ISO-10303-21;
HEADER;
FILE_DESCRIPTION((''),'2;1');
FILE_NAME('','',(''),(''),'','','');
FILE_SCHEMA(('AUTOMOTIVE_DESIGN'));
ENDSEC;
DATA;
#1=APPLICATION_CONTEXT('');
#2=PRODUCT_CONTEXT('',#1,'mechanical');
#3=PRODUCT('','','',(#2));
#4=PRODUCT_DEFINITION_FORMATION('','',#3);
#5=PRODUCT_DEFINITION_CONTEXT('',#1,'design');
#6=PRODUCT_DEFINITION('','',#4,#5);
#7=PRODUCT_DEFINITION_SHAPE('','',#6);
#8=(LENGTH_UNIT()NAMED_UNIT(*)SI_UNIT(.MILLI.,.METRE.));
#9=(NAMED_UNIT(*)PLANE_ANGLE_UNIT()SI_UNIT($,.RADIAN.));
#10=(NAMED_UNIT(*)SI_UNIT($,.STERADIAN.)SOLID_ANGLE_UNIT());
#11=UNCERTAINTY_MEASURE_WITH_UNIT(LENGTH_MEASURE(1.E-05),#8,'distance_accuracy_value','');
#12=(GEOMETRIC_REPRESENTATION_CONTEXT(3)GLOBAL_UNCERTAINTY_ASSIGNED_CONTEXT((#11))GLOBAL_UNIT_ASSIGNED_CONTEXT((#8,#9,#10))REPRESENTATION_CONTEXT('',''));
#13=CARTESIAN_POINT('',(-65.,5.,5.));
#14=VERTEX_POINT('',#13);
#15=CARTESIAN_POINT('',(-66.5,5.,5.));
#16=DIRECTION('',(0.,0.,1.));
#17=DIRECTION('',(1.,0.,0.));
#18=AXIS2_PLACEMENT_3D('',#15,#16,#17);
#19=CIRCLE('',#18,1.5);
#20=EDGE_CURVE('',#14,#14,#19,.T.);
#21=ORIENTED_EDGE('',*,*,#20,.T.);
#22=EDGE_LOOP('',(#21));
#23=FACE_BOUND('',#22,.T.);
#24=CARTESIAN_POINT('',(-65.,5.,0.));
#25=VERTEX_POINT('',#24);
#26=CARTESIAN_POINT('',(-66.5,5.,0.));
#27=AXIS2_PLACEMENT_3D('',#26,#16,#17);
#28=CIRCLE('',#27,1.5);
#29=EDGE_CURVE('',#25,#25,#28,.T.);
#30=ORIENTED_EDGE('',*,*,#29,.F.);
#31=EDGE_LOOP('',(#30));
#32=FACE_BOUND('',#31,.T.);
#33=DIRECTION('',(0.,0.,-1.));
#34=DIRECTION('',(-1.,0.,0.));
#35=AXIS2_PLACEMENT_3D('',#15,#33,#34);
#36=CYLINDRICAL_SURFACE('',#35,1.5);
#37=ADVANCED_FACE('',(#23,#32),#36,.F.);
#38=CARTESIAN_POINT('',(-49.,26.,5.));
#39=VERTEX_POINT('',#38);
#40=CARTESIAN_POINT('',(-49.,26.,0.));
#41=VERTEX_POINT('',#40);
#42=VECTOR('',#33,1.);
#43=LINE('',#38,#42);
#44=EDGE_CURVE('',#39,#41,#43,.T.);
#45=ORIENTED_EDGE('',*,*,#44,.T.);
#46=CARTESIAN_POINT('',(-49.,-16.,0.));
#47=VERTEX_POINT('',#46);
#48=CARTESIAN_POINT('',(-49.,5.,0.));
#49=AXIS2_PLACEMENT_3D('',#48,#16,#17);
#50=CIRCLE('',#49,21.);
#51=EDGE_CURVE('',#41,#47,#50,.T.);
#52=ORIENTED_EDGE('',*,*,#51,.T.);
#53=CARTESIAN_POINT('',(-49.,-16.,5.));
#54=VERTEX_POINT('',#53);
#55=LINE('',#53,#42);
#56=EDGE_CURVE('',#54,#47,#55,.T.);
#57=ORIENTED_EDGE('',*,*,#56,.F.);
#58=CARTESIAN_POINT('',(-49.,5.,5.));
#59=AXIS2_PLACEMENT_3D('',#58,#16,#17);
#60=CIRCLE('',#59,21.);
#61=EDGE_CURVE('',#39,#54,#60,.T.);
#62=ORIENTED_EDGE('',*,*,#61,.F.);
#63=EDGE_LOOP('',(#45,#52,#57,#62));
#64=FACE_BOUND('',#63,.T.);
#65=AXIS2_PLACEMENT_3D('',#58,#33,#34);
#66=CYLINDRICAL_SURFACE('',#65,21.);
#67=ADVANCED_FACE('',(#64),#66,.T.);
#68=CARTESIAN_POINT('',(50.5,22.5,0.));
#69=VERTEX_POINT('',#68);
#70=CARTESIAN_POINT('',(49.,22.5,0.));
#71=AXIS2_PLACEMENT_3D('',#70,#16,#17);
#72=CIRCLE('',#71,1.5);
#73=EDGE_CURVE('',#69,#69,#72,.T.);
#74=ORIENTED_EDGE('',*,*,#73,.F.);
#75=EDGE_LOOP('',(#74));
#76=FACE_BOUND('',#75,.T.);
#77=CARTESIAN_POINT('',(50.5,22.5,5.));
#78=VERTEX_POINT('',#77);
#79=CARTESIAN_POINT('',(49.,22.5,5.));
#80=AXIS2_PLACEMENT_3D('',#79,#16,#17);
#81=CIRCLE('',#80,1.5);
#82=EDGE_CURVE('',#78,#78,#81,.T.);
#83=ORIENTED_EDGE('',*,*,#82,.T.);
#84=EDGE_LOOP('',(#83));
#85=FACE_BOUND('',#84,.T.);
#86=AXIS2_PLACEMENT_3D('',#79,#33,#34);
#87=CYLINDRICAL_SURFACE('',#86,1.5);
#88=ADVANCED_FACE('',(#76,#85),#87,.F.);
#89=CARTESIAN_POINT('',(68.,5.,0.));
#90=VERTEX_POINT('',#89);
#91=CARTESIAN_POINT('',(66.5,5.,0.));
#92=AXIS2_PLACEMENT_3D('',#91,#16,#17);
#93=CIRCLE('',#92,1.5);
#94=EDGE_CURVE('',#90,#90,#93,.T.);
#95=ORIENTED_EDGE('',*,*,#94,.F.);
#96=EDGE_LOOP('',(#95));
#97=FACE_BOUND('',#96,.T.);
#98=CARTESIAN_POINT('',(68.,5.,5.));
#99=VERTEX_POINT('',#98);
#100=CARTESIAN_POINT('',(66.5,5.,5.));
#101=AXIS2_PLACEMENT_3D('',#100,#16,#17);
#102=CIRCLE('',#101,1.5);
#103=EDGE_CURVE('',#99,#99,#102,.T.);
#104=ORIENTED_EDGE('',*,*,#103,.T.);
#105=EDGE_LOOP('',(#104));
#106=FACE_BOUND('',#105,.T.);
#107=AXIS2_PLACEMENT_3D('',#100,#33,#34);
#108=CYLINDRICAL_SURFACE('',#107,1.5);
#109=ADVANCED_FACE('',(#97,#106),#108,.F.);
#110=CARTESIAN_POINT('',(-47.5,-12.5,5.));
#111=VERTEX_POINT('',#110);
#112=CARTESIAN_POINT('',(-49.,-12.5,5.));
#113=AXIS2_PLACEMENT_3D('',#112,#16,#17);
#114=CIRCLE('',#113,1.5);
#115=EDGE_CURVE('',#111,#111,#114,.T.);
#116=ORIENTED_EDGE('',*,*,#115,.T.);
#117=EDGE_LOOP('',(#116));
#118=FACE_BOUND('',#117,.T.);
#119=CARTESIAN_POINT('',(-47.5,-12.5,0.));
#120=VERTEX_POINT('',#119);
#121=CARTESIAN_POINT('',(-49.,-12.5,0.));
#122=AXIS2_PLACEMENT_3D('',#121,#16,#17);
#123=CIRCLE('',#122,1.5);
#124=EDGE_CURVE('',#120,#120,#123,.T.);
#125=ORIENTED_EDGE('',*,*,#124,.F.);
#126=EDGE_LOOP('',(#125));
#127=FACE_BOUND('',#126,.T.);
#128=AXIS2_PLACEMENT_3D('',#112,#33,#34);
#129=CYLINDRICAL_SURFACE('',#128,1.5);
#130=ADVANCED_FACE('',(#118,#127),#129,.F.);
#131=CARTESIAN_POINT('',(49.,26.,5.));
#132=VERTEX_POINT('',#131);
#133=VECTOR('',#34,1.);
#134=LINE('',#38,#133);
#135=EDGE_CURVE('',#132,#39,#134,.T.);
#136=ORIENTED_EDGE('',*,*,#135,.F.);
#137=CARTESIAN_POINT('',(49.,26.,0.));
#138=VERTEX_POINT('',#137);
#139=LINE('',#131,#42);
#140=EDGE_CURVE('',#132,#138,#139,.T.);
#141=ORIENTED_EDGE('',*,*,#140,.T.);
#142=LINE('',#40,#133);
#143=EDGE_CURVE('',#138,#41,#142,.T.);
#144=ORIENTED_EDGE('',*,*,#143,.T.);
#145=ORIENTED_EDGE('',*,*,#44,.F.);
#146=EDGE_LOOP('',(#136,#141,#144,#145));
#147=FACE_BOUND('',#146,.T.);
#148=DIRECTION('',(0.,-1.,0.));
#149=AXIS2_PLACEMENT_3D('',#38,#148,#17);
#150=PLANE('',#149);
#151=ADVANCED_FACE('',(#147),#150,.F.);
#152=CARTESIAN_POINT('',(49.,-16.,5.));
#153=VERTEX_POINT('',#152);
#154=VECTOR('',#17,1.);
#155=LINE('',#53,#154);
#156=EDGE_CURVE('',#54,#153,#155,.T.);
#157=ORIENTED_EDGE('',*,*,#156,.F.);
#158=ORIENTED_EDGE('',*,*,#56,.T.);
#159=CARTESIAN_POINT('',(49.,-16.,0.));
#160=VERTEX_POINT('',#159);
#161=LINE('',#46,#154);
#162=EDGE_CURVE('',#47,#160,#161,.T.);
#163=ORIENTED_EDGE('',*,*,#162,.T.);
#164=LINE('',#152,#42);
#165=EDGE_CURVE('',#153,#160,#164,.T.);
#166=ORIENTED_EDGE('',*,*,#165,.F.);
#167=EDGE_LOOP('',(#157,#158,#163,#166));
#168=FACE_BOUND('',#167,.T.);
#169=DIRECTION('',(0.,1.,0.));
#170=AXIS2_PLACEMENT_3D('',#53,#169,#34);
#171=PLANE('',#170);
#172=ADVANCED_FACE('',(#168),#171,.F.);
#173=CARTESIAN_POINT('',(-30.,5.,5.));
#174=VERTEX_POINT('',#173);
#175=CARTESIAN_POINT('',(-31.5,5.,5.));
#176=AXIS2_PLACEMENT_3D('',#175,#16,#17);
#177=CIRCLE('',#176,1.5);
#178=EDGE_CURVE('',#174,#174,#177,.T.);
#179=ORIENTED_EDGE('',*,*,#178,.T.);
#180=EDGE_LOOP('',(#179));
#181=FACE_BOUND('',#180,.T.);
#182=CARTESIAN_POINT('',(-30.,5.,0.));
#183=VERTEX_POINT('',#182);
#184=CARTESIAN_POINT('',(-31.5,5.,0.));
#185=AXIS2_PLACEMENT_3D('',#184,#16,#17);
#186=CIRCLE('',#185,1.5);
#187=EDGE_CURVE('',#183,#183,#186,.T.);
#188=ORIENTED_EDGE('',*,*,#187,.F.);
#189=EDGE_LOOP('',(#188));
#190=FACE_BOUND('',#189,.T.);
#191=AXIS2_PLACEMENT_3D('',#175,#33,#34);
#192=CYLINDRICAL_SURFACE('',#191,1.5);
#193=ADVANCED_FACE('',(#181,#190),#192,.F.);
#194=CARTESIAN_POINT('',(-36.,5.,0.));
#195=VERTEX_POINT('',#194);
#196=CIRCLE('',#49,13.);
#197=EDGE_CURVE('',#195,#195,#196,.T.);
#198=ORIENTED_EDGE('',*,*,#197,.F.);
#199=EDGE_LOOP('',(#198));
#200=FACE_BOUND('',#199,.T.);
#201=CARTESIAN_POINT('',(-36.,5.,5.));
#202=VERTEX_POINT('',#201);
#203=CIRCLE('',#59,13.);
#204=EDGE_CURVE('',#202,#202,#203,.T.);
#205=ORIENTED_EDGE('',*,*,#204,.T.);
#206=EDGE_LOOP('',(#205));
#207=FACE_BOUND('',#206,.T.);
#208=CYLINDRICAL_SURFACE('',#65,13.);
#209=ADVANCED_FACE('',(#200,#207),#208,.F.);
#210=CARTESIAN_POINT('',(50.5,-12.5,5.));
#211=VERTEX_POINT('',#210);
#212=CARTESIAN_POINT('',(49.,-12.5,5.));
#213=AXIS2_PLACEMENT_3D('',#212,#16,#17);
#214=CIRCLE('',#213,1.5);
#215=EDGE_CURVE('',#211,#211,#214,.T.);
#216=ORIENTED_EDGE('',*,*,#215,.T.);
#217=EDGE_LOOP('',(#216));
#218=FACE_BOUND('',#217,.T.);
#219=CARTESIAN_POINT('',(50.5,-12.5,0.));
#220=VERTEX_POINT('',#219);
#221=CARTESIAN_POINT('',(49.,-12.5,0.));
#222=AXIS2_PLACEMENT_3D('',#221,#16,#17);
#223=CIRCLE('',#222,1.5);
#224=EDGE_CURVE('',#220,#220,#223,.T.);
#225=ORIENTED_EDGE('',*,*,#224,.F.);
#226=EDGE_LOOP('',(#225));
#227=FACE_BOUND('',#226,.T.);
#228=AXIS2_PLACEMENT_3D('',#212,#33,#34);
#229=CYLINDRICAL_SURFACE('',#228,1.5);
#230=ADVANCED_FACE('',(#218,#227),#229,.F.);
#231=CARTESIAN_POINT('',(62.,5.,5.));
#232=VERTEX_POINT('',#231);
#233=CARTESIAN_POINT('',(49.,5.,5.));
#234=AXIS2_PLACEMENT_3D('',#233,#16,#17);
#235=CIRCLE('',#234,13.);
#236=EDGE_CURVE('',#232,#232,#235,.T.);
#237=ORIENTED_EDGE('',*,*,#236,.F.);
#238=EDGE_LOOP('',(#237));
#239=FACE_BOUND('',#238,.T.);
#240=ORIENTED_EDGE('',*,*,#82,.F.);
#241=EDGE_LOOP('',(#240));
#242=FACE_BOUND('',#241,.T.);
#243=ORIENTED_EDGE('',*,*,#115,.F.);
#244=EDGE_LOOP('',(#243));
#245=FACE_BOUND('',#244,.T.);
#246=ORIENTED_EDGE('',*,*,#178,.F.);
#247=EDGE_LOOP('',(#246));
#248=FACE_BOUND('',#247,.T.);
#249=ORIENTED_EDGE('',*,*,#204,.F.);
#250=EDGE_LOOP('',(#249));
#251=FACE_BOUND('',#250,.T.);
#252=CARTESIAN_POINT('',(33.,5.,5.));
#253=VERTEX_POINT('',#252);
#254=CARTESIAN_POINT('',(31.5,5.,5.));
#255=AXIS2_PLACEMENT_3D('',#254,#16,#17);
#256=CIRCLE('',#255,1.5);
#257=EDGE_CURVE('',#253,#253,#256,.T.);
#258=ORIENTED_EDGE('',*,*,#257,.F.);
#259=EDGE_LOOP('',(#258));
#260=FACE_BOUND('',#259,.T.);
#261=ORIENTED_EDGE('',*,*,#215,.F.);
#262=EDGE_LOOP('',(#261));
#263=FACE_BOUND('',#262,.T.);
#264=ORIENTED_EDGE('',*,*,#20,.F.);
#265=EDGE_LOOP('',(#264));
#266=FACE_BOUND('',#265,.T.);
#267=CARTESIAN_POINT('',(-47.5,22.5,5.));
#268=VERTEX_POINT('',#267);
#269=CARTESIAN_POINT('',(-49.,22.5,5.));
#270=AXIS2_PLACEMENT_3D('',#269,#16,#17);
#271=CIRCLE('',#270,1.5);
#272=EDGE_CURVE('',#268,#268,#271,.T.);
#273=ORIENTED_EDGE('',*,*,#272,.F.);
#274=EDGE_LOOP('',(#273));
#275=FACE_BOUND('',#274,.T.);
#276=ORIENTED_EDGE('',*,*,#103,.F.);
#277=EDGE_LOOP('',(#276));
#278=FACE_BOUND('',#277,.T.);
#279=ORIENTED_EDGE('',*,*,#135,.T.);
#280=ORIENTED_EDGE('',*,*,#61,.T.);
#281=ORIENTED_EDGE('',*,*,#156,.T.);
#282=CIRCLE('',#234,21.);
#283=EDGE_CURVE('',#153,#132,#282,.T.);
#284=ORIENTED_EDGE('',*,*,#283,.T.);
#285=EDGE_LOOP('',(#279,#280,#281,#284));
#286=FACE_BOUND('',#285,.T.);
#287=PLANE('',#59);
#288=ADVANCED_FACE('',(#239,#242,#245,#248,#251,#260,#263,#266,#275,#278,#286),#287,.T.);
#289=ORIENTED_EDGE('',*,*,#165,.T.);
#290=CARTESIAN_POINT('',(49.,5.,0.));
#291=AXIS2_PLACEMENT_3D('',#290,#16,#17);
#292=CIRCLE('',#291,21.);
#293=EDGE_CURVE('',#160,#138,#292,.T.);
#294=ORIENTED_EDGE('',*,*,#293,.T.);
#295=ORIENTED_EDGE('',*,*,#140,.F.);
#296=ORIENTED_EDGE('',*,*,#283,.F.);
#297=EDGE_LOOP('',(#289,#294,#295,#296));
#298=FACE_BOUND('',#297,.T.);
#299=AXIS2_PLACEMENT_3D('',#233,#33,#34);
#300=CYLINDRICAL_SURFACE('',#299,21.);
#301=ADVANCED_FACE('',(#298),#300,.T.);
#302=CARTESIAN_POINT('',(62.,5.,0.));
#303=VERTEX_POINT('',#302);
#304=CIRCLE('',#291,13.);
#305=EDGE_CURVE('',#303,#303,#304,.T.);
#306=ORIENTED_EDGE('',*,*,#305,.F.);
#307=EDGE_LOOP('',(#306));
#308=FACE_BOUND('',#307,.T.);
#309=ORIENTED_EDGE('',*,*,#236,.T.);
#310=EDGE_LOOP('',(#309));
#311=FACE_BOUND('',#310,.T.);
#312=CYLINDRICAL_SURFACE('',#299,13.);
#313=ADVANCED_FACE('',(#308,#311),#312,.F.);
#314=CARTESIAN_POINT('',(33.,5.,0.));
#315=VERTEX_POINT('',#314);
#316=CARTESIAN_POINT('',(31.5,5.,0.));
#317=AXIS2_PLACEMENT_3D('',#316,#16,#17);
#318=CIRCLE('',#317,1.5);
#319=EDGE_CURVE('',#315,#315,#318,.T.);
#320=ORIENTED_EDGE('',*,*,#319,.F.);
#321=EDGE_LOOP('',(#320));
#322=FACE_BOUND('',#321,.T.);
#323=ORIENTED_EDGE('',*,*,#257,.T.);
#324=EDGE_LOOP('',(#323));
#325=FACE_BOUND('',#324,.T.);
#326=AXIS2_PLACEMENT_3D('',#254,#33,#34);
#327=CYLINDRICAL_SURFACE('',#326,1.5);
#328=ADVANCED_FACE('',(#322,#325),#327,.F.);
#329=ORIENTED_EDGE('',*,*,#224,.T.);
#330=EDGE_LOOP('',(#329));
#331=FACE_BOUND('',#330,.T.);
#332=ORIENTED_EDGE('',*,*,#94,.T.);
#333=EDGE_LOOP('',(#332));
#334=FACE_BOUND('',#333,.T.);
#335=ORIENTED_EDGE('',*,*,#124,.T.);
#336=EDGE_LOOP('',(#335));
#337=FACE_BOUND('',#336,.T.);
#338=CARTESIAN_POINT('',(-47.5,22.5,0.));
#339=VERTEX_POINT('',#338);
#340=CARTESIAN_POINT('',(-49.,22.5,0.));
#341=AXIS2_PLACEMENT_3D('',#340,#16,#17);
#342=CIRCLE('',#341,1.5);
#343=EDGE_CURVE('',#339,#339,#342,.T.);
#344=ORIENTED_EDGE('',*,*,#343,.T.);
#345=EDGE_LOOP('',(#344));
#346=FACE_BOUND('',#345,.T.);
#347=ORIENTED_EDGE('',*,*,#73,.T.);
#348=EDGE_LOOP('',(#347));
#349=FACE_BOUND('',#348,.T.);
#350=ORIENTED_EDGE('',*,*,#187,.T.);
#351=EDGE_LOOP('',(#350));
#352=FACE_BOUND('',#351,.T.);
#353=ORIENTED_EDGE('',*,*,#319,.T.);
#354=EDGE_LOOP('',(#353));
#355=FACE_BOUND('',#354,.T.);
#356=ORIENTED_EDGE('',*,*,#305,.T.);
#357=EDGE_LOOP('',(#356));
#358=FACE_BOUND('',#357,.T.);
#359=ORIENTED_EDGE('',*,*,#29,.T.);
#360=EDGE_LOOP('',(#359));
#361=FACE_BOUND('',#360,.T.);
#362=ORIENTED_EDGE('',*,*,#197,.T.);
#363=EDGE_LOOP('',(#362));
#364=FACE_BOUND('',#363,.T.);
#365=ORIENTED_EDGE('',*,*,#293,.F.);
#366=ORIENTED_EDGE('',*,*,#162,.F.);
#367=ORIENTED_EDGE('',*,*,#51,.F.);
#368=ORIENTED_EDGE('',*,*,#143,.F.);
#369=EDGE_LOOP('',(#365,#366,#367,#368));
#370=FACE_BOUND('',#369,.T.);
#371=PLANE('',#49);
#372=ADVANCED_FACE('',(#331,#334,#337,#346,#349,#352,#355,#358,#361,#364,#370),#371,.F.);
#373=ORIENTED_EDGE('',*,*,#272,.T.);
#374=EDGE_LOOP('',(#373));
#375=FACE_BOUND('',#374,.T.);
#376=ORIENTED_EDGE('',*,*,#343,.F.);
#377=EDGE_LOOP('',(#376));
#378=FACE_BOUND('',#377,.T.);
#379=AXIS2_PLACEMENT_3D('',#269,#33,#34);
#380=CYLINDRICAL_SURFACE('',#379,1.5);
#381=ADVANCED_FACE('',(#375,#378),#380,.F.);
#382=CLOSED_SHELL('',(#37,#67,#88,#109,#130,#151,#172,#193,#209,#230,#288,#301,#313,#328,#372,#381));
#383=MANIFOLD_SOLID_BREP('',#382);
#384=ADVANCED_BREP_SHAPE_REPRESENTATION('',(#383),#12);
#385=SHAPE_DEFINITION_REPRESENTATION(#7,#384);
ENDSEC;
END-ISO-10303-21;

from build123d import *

# Parameters (mm, degrees)
SKETCH1_R           = 1.5
SKETCH1_R_2         = 13
BOSS_EXTRUDE1_DEPTH = 5


with BuildPart() as part:
    # Sketch1 → Boss-Extrude1 (new body)
    with BuildSketch(Plane.XY):
        with BuildLine():
            Line((-49, 26), (49, 26))
            ThreePointArc((49, 26), (70, 5), (49, -16))
            Line((49, -16), (-49, -16))
            ThreePointArc((-49, -16), (-70, 5), (-49, 26))
        make_face()
        with Locations((49, -12.5)):
            Circle(SKETCH1_R, mode=Mode.SUBTRACT)
        with Locations((66.5, 5)):
            Circle(SKETCH1_R, mode=Mode.SUBTRACT)
        with Locations((31.5, 5)):
            Circle(SKETCH1_R, mode=Mode.SUBTRACT)
        with Locations((49, 22.5)):
            Circle(SKETCH1_R, mode=Mode.SUBTRACT)
        with Locations((-49, -12.5)):
            Circle(SKETCH1_R, mode=Mode.SUBTRACT)
        with Locations((-31.5, 5)):
            Circle(SKETCH1_R, mode=Mode.SUBTRACT)
        with Locations((-66.5, 5)):
            Circle(SKETCH1_R, mode=Mode.SUBTRACT)
        with Locations((-49, 22.5)):
            Circle(SKETCH1_R, mode=Mode.SUBTRACT)
        with Locations((-49, 5)):
            Circle(SKETCH1_R_2, mode=Mode.SUBTRACT)
        with Locations((49, 5)):
            Circle(SKETCH1_R_2, mode=Mode.SUBTRACT)
    extrude(amount=BOSS_EXTRUDE1_DEPTH)


solid = part.part
